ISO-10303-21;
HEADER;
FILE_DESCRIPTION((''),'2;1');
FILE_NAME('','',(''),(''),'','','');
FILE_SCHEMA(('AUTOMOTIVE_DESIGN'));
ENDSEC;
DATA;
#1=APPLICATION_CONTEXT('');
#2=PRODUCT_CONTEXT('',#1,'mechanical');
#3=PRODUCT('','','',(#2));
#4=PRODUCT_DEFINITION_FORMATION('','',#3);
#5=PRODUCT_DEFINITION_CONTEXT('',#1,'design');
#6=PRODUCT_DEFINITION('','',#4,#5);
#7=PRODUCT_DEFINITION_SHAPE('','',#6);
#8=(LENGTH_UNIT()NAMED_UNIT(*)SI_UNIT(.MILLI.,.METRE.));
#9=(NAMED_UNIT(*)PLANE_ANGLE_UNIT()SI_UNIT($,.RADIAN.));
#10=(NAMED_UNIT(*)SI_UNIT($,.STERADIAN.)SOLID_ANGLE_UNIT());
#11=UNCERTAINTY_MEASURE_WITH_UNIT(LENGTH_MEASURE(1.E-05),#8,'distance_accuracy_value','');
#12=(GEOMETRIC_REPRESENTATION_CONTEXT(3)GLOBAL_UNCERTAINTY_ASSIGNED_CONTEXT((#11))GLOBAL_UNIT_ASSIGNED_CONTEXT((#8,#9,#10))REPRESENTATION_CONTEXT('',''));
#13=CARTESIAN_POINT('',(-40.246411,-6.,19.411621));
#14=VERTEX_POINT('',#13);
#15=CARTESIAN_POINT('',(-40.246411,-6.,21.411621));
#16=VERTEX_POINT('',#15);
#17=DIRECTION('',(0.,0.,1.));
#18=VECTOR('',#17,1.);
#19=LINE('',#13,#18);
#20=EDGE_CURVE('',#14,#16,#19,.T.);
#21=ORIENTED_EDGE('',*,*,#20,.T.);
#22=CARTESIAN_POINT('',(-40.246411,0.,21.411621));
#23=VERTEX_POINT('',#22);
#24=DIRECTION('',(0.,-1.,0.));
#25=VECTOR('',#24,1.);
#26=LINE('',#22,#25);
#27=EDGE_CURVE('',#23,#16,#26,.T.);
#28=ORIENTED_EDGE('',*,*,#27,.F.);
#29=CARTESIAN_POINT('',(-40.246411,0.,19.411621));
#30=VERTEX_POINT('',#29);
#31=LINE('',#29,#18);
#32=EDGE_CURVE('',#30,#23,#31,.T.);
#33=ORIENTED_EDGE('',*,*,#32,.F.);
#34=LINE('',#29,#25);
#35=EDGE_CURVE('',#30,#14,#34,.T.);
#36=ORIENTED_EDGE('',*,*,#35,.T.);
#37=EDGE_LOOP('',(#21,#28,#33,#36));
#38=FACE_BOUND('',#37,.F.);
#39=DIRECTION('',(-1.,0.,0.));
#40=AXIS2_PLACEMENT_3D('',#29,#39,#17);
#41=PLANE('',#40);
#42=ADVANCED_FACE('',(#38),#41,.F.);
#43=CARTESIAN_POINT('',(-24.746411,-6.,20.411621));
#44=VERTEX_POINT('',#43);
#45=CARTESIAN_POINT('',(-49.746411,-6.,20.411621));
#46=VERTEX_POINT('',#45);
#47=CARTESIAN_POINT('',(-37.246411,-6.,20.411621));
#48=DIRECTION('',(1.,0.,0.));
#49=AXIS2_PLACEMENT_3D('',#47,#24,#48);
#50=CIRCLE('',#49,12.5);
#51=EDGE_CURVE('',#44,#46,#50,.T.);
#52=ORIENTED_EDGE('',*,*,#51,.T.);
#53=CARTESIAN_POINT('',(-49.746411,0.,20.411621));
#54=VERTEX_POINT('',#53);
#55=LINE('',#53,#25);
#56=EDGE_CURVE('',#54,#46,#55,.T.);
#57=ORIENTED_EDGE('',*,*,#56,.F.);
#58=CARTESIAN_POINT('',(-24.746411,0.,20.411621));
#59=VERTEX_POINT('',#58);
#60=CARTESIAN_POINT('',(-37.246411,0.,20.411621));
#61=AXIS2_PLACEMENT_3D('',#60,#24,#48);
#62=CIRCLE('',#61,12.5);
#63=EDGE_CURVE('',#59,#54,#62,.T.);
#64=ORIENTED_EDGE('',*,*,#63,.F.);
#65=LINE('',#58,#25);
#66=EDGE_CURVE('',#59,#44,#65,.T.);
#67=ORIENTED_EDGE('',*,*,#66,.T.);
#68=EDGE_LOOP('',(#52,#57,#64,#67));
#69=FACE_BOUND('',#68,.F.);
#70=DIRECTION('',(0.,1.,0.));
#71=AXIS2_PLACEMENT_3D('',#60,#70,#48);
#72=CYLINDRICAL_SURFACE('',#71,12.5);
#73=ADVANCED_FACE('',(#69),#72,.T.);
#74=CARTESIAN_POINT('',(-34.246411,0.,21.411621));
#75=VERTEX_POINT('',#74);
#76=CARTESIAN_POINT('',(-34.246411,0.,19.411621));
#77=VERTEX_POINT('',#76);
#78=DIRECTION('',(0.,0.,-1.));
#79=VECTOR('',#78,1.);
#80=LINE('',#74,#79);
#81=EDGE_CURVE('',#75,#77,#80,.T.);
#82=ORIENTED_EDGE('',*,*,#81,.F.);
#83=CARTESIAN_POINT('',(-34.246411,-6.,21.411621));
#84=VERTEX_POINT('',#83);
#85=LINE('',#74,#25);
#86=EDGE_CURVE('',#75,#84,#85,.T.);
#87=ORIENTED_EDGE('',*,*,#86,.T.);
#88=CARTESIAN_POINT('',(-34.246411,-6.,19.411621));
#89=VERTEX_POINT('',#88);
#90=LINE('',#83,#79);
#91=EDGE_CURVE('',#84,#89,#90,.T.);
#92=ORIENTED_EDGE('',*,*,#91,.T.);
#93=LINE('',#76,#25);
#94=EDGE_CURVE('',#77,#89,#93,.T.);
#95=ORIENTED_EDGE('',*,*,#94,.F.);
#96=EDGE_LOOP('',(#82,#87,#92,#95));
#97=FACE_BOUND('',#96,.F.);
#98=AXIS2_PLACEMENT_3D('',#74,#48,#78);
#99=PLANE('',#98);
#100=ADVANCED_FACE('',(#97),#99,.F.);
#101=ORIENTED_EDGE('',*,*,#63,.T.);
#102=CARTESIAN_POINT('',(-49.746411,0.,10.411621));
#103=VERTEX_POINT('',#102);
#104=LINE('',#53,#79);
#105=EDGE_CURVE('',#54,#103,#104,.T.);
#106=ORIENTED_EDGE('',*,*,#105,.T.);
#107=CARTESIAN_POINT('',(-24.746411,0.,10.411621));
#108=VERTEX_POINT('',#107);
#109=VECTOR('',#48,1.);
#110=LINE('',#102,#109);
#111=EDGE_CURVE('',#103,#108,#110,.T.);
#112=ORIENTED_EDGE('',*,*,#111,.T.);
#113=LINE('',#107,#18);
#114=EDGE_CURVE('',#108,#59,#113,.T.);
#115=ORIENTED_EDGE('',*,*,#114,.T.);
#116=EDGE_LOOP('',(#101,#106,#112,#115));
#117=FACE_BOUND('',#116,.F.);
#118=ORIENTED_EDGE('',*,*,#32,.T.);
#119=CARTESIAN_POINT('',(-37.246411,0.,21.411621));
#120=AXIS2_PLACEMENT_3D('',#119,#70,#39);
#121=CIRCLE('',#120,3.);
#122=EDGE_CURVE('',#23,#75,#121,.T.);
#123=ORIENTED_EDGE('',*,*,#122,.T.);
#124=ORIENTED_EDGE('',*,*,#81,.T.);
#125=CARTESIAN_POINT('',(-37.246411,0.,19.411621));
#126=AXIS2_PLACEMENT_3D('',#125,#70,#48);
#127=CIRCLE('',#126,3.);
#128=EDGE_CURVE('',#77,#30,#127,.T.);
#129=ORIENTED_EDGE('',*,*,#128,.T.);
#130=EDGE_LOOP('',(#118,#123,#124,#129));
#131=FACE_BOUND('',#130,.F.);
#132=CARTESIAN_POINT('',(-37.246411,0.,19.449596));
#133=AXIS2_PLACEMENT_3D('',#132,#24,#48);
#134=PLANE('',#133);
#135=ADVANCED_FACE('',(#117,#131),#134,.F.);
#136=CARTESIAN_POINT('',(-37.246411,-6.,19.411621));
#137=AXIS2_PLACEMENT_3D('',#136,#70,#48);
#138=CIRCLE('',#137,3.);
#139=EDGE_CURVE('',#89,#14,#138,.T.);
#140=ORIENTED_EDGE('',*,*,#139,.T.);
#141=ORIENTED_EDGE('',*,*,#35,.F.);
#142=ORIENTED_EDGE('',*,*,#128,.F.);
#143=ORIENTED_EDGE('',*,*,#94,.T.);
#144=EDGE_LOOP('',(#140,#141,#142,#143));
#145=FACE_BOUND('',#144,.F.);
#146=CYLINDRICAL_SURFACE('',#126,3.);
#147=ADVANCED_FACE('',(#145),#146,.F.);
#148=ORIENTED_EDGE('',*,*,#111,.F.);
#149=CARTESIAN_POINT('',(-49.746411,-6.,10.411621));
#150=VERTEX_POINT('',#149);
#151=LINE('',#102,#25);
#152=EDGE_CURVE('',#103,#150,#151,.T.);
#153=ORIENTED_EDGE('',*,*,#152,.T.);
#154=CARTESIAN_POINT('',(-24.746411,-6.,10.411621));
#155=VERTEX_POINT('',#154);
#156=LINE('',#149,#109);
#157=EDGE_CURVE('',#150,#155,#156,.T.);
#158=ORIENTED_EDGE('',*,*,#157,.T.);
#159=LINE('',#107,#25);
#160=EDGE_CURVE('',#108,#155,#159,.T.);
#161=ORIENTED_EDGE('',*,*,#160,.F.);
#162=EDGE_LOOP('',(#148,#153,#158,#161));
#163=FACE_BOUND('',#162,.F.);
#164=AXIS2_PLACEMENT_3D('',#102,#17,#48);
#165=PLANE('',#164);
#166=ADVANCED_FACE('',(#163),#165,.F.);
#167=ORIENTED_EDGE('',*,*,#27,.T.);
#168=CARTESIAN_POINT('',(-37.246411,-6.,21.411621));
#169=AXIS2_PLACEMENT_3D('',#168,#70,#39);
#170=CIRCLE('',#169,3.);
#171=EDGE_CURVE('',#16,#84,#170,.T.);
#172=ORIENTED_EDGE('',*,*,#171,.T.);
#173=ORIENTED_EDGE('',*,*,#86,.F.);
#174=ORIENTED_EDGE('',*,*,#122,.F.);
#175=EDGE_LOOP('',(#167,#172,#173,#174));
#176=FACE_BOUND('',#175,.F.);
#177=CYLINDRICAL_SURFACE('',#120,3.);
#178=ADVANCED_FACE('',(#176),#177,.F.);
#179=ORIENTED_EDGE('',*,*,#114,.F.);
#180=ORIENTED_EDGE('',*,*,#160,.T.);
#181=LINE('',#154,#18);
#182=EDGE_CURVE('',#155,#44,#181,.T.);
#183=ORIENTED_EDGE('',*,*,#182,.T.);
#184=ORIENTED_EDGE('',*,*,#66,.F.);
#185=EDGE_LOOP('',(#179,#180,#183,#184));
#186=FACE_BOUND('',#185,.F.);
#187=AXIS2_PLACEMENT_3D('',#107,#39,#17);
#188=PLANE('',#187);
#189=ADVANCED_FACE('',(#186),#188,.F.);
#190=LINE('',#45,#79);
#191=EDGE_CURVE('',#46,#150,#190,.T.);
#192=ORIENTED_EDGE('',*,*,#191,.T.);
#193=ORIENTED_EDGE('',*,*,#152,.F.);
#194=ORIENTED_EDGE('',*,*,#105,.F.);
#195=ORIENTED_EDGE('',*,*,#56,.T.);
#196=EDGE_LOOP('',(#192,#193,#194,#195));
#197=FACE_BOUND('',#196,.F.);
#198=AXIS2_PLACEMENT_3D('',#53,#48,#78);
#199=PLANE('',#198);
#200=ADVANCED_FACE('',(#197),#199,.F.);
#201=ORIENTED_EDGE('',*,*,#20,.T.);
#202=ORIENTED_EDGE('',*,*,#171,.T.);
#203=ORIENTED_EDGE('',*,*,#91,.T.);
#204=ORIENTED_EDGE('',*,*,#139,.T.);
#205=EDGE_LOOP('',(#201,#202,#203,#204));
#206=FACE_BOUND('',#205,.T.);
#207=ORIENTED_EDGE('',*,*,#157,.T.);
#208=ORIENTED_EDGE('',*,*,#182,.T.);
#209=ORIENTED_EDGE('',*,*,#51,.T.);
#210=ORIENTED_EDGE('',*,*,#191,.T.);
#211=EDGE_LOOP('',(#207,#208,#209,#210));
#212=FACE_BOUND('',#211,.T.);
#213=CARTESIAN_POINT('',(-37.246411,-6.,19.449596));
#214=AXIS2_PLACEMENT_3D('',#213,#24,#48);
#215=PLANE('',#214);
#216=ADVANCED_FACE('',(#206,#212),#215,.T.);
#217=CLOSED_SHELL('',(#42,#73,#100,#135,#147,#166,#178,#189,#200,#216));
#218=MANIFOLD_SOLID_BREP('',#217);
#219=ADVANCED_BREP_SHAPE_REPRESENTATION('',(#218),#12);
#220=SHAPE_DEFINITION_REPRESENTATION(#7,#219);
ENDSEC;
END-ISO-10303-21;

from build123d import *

# Parameters (mm, degrees)
F1_DEPTH = 6


with BuildPart() as f1:
    # F0 (on Front) → F1 (new body)
    with BuildSketch(Plane.XZ):
        with BuildLine():
            Line((-49.746411, 20.411621), (-49.746411, 10.411621))
            Line((-49.746411, 10.411621), (-24.746411, 10.411621))
            Line((-24.746411, 10.411621), (-24.746411, 20.411621))
            ThreePointArc((-24.746411, 20.411621), (-37.246411, 32.911621), (-49.746411, 20.411621))
        make_face()
        with BuildLine():
            ThreePointArc((-40.246411, 21.411621), (-37.246411, 24.411621), (-34.246411, 21.411621))
            Line((-34.246411, 21.411621), (-34.246411, 19.411621))
            ThreePointArc((-34.246411, 19.411621), (-37.246411, 16.411621), (-40.246411, 19.411621))
            Line((-40.246411, 19.411621), (-40.246411, 21.411621))
        make_face(mode=Mode.SUBTRACT)
    extrude(amount=F1_DEPTH)


solid = f1.part
